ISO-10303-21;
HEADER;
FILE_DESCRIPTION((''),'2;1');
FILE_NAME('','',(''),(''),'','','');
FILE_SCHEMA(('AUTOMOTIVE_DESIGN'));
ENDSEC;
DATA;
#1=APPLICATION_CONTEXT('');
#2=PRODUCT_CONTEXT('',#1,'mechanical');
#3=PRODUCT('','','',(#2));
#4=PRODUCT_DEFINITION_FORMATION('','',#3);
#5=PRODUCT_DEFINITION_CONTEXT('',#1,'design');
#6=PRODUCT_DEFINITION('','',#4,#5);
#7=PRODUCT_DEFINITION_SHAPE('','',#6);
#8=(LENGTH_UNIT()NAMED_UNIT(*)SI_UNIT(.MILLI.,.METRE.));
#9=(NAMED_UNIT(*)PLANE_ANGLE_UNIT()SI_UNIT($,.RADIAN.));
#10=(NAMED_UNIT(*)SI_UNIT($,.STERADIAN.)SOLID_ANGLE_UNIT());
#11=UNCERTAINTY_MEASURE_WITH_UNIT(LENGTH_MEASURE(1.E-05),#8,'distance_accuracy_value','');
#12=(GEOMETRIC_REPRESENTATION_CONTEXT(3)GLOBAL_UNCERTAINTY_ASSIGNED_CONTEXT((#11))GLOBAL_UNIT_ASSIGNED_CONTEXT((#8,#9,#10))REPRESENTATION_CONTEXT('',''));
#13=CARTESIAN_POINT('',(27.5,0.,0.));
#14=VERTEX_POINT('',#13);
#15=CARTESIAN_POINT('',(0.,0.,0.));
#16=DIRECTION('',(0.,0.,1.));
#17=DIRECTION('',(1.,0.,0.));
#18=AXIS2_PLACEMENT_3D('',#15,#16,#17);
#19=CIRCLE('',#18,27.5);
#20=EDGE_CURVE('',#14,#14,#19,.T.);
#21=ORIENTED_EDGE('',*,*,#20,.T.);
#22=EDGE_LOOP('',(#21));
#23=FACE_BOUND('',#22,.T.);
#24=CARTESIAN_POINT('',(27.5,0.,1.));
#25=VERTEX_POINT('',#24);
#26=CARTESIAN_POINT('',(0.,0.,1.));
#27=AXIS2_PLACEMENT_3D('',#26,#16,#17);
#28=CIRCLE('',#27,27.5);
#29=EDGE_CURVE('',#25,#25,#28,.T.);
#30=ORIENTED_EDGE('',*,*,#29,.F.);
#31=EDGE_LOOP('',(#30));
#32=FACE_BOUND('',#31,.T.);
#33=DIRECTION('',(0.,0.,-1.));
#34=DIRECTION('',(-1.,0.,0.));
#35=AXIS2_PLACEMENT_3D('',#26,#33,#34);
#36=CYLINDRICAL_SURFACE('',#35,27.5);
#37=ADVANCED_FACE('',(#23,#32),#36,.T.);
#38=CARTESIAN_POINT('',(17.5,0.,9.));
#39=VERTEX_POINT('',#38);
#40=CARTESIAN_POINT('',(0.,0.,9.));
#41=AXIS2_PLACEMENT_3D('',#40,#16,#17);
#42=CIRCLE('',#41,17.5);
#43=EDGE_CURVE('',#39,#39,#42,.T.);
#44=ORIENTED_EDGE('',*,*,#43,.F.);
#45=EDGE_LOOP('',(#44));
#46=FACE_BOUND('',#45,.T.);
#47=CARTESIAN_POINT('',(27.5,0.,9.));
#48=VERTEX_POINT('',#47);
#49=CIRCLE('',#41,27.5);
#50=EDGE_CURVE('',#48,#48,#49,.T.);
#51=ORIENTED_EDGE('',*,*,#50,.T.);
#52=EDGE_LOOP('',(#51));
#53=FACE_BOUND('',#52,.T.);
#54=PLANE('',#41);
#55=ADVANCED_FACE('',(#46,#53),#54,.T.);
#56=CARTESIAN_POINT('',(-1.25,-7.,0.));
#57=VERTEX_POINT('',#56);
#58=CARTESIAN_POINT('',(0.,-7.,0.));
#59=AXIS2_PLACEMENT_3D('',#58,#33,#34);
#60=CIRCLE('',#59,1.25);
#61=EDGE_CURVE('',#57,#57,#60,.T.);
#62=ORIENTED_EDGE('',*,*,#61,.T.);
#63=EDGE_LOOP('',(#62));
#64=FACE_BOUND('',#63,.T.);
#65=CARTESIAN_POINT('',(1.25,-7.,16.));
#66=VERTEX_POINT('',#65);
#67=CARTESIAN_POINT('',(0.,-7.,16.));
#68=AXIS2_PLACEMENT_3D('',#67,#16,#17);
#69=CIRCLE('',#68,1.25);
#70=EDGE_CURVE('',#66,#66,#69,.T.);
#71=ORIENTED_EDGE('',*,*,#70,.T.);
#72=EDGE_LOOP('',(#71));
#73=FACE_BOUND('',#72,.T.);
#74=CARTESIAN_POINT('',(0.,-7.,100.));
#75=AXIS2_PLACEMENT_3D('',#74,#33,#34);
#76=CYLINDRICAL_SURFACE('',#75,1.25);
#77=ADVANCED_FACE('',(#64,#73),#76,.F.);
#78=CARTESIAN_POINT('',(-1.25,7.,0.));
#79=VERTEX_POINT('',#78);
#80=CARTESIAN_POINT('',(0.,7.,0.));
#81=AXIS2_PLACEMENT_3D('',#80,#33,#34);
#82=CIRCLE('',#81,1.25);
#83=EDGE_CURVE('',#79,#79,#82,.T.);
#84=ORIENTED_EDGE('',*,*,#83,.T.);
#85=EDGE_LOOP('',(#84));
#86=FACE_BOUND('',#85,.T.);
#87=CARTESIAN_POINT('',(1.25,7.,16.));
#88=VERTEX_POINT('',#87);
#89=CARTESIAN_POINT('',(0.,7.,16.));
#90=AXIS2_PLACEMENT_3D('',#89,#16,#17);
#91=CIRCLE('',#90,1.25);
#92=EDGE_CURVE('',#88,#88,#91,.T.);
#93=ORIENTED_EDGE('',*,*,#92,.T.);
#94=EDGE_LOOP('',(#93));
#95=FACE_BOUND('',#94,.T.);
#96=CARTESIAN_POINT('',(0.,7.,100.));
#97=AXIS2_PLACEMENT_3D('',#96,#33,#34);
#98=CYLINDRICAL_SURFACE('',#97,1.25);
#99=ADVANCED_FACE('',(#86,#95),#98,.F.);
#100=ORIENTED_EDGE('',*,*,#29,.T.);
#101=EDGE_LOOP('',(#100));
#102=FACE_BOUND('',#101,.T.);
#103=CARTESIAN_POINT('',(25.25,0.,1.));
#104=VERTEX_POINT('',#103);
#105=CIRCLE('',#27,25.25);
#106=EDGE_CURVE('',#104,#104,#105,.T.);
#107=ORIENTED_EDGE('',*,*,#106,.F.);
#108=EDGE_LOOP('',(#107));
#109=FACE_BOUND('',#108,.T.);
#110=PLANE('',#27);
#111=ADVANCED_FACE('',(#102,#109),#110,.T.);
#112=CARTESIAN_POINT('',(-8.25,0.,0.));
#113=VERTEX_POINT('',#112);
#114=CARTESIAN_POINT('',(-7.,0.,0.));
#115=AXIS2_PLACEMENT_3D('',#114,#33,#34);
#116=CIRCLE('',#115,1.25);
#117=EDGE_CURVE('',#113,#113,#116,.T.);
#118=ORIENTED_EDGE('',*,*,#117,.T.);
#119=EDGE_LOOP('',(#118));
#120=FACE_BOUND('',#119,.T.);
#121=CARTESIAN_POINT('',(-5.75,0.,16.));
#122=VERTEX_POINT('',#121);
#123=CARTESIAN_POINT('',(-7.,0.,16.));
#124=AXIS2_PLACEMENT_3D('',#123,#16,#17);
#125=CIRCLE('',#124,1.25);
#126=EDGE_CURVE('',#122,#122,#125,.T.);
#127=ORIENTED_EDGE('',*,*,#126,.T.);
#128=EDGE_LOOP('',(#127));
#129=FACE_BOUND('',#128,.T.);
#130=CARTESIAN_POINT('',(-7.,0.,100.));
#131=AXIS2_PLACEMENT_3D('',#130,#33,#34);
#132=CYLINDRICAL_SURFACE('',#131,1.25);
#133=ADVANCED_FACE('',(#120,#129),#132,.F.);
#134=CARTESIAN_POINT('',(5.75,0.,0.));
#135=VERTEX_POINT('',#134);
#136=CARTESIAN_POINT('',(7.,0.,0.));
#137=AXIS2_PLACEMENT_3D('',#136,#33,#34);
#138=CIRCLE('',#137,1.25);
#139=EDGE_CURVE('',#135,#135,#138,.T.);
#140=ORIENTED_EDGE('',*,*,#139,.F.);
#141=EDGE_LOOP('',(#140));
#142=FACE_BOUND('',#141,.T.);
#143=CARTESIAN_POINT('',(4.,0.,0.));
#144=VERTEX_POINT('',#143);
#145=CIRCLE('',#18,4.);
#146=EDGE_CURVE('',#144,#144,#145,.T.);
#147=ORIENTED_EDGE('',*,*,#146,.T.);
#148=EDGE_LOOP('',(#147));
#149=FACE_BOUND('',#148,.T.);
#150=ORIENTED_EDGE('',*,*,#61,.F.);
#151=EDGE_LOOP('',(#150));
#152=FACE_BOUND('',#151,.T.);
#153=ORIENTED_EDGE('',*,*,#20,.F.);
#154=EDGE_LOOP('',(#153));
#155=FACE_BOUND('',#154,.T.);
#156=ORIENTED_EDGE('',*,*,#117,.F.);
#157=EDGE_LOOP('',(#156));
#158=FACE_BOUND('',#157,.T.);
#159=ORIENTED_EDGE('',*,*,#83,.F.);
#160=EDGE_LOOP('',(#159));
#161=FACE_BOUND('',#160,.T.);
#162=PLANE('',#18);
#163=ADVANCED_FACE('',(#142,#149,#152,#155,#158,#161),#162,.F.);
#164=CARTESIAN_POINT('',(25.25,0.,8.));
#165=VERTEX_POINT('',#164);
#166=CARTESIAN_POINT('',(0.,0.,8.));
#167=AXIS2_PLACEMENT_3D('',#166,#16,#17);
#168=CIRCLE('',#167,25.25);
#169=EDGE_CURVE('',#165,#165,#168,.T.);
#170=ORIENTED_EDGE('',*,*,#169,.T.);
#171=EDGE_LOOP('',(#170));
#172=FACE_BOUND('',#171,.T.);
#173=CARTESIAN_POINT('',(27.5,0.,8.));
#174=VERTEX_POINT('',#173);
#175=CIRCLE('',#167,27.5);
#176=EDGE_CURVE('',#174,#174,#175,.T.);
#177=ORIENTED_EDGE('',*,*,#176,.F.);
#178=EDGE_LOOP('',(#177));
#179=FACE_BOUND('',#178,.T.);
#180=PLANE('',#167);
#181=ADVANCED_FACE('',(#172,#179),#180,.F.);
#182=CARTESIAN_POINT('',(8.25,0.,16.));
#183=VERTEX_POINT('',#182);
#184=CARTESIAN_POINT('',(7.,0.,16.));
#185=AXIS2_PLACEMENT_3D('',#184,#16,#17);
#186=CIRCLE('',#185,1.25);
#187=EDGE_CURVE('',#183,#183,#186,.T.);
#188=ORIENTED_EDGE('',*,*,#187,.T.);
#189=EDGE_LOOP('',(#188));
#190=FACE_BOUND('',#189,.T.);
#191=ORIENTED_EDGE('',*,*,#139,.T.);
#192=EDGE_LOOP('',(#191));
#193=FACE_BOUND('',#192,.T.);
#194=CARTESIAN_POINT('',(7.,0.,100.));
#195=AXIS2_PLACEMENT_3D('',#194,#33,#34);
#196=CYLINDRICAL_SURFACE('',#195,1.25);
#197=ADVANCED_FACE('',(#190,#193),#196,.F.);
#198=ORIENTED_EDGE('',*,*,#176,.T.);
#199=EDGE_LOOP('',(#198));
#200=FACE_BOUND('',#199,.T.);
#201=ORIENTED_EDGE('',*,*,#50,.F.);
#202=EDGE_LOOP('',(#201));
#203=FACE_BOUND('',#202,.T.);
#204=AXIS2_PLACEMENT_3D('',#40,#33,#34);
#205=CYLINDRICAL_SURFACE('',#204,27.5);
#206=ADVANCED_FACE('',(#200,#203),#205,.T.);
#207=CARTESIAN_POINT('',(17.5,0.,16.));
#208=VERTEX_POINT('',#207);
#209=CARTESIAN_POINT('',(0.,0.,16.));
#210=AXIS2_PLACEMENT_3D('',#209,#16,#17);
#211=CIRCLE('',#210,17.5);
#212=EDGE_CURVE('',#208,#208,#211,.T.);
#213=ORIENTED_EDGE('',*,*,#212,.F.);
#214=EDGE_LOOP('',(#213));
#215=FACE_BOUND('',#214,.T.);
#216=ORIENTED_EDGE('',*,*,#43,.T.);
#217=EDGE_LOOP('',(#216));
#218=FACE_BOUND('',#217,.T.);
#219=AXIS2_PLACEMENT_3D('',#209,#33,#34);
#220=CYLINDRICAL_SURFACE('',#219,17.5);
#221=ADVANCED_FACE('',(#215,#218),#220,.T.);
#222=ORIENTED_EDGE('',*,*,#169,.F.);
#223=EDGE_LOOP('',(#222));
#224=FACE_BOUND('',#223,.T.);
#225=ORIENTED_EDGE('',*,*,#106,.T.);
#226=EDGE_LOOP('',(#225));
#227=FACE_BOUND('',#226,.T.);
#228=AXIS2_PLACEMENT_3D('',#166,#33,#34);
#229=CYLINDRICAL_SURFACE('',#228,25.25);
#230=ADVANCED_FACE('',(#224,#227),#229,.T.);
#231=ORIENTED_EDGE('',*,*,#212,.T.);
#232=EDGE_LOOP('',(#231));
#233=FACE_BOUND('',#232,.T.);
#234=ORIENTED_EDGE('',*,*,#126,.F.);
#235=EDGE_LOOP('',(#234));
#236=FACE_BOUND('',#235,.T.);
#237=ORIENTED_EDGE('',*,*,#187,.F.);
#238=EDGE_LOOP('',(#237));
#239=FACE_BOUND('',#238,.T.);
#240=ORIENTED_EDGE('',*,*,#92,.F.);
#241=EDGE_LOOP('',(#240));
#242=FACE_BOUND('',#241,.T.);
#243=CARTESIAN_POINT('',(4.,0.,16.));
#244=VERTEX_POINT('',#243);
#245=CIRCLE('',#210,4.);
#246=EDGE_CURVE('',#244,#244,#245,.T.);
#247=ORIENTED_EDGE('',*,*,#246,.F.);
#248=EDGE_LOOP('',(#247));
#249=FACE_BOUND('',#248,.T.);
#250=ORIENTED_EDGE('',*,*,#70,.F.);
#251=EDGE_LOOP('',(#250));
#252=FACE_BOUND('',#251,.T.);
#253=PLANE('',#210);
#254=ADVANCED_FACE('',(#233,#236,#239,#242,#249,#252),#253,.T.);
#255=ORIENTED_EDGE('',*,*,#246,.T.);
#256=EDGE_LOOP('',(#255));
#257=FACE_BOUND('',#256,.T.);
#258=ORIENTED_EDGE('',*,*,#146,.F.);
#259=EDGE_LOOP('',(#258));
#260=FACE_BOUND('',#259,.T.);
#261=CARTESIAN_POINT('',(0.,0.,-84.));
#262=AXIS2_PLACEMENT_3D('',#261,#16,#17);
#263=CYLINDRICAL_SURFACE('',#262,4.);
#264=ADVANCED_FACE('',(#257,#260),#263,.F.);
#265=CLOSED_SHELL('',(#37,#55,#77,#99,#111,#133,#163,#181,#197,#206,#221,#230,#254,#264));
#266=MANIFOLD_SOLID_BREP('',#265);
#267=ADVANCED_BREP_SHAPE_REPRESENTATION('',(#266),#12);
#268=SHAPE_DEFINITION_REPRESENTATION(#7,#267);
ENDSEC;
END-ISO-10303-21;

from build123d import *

# Parameters (mm, degrees)
SKETCH_1_R          = 27.5
EXTRUDE_1_DEPTH     = 1
SKETCH_2_R          = 25.25
EXTRUDE_2_DEPTH     = 7
SKETCH_3_R          = 27.5
EXTRUDE_3_DEPTH     = 1
SKETCH_4_R          = 17.5
EXTRUDE_4_DEPTH     = 7
SKETCH_5_R          = 4
CUT_EXTRUDE_1_DEPTH = 100
SKETCH_6_R          = 1.25
CUT_EXTRUDE_2_DEPTH = 100


with BuildPart() as part:
    # 草图1 → 凸台-拉伸1 (new body)
    with BuildSketch(Plane.XY):
        Circle(SKETCH_1_R)
    extrude(amount=EXTRUDE_1_DEPTH)

    # 草图2 → 凸台-拉伸2 (add)
    with BuildSketch(Plane.XY.offset(1)):
        Circle(SKETCH_2_R)
    extrude(amount=EXTRUDE_2_DEPTH)

    # 草图3 → 凸台-拉伸3 (add)
    with BuildSketch(Plane.XY.offset(8)):
        Circle(SKETCH_3_R)
    extrude(amount=EXTRUDE_3_DEPTH)

    # 草图4 → 凸台-拉伸4 (add)
    with BuildSketch(Plane.XY.offset(9)):
        Circle(SKETCH_4_R)
    extrude(amount=EXTRUDE_4_DEPTH)

    # 草图5 → 切除-拉伸1 (cut)
    with BuildSketch(Plane.XY.offset(16)):
        Circle(SKETCH_5_R)
    extrude(amount=-CUT_EXTRUDE_1_DEPTH, mode=Mode.SUBTRACT)

    # 草图6 → 切除-拉伸2 (cut)
    with BuildSketch(Plane(origin=(0, 0, 0), x_dir=(-1, 0, 0), z_dir=(0, 0, -1))):
        with Locations((7, 0)):
            Circle(SKETCH_6_R)
        with Locations((0, -7)):
            Circle(SKETCH_6_R)
        with Locations((-7, 0)):
            Circle(SKETCH_6_R)
        with Locations((0, 7)):
            Circle(SKETCH_6_R)
    extrude(amount=-CUT_EXTRUDE_2_DEPTH, mode=Mode.SUBTRACT)


solid = part.part
